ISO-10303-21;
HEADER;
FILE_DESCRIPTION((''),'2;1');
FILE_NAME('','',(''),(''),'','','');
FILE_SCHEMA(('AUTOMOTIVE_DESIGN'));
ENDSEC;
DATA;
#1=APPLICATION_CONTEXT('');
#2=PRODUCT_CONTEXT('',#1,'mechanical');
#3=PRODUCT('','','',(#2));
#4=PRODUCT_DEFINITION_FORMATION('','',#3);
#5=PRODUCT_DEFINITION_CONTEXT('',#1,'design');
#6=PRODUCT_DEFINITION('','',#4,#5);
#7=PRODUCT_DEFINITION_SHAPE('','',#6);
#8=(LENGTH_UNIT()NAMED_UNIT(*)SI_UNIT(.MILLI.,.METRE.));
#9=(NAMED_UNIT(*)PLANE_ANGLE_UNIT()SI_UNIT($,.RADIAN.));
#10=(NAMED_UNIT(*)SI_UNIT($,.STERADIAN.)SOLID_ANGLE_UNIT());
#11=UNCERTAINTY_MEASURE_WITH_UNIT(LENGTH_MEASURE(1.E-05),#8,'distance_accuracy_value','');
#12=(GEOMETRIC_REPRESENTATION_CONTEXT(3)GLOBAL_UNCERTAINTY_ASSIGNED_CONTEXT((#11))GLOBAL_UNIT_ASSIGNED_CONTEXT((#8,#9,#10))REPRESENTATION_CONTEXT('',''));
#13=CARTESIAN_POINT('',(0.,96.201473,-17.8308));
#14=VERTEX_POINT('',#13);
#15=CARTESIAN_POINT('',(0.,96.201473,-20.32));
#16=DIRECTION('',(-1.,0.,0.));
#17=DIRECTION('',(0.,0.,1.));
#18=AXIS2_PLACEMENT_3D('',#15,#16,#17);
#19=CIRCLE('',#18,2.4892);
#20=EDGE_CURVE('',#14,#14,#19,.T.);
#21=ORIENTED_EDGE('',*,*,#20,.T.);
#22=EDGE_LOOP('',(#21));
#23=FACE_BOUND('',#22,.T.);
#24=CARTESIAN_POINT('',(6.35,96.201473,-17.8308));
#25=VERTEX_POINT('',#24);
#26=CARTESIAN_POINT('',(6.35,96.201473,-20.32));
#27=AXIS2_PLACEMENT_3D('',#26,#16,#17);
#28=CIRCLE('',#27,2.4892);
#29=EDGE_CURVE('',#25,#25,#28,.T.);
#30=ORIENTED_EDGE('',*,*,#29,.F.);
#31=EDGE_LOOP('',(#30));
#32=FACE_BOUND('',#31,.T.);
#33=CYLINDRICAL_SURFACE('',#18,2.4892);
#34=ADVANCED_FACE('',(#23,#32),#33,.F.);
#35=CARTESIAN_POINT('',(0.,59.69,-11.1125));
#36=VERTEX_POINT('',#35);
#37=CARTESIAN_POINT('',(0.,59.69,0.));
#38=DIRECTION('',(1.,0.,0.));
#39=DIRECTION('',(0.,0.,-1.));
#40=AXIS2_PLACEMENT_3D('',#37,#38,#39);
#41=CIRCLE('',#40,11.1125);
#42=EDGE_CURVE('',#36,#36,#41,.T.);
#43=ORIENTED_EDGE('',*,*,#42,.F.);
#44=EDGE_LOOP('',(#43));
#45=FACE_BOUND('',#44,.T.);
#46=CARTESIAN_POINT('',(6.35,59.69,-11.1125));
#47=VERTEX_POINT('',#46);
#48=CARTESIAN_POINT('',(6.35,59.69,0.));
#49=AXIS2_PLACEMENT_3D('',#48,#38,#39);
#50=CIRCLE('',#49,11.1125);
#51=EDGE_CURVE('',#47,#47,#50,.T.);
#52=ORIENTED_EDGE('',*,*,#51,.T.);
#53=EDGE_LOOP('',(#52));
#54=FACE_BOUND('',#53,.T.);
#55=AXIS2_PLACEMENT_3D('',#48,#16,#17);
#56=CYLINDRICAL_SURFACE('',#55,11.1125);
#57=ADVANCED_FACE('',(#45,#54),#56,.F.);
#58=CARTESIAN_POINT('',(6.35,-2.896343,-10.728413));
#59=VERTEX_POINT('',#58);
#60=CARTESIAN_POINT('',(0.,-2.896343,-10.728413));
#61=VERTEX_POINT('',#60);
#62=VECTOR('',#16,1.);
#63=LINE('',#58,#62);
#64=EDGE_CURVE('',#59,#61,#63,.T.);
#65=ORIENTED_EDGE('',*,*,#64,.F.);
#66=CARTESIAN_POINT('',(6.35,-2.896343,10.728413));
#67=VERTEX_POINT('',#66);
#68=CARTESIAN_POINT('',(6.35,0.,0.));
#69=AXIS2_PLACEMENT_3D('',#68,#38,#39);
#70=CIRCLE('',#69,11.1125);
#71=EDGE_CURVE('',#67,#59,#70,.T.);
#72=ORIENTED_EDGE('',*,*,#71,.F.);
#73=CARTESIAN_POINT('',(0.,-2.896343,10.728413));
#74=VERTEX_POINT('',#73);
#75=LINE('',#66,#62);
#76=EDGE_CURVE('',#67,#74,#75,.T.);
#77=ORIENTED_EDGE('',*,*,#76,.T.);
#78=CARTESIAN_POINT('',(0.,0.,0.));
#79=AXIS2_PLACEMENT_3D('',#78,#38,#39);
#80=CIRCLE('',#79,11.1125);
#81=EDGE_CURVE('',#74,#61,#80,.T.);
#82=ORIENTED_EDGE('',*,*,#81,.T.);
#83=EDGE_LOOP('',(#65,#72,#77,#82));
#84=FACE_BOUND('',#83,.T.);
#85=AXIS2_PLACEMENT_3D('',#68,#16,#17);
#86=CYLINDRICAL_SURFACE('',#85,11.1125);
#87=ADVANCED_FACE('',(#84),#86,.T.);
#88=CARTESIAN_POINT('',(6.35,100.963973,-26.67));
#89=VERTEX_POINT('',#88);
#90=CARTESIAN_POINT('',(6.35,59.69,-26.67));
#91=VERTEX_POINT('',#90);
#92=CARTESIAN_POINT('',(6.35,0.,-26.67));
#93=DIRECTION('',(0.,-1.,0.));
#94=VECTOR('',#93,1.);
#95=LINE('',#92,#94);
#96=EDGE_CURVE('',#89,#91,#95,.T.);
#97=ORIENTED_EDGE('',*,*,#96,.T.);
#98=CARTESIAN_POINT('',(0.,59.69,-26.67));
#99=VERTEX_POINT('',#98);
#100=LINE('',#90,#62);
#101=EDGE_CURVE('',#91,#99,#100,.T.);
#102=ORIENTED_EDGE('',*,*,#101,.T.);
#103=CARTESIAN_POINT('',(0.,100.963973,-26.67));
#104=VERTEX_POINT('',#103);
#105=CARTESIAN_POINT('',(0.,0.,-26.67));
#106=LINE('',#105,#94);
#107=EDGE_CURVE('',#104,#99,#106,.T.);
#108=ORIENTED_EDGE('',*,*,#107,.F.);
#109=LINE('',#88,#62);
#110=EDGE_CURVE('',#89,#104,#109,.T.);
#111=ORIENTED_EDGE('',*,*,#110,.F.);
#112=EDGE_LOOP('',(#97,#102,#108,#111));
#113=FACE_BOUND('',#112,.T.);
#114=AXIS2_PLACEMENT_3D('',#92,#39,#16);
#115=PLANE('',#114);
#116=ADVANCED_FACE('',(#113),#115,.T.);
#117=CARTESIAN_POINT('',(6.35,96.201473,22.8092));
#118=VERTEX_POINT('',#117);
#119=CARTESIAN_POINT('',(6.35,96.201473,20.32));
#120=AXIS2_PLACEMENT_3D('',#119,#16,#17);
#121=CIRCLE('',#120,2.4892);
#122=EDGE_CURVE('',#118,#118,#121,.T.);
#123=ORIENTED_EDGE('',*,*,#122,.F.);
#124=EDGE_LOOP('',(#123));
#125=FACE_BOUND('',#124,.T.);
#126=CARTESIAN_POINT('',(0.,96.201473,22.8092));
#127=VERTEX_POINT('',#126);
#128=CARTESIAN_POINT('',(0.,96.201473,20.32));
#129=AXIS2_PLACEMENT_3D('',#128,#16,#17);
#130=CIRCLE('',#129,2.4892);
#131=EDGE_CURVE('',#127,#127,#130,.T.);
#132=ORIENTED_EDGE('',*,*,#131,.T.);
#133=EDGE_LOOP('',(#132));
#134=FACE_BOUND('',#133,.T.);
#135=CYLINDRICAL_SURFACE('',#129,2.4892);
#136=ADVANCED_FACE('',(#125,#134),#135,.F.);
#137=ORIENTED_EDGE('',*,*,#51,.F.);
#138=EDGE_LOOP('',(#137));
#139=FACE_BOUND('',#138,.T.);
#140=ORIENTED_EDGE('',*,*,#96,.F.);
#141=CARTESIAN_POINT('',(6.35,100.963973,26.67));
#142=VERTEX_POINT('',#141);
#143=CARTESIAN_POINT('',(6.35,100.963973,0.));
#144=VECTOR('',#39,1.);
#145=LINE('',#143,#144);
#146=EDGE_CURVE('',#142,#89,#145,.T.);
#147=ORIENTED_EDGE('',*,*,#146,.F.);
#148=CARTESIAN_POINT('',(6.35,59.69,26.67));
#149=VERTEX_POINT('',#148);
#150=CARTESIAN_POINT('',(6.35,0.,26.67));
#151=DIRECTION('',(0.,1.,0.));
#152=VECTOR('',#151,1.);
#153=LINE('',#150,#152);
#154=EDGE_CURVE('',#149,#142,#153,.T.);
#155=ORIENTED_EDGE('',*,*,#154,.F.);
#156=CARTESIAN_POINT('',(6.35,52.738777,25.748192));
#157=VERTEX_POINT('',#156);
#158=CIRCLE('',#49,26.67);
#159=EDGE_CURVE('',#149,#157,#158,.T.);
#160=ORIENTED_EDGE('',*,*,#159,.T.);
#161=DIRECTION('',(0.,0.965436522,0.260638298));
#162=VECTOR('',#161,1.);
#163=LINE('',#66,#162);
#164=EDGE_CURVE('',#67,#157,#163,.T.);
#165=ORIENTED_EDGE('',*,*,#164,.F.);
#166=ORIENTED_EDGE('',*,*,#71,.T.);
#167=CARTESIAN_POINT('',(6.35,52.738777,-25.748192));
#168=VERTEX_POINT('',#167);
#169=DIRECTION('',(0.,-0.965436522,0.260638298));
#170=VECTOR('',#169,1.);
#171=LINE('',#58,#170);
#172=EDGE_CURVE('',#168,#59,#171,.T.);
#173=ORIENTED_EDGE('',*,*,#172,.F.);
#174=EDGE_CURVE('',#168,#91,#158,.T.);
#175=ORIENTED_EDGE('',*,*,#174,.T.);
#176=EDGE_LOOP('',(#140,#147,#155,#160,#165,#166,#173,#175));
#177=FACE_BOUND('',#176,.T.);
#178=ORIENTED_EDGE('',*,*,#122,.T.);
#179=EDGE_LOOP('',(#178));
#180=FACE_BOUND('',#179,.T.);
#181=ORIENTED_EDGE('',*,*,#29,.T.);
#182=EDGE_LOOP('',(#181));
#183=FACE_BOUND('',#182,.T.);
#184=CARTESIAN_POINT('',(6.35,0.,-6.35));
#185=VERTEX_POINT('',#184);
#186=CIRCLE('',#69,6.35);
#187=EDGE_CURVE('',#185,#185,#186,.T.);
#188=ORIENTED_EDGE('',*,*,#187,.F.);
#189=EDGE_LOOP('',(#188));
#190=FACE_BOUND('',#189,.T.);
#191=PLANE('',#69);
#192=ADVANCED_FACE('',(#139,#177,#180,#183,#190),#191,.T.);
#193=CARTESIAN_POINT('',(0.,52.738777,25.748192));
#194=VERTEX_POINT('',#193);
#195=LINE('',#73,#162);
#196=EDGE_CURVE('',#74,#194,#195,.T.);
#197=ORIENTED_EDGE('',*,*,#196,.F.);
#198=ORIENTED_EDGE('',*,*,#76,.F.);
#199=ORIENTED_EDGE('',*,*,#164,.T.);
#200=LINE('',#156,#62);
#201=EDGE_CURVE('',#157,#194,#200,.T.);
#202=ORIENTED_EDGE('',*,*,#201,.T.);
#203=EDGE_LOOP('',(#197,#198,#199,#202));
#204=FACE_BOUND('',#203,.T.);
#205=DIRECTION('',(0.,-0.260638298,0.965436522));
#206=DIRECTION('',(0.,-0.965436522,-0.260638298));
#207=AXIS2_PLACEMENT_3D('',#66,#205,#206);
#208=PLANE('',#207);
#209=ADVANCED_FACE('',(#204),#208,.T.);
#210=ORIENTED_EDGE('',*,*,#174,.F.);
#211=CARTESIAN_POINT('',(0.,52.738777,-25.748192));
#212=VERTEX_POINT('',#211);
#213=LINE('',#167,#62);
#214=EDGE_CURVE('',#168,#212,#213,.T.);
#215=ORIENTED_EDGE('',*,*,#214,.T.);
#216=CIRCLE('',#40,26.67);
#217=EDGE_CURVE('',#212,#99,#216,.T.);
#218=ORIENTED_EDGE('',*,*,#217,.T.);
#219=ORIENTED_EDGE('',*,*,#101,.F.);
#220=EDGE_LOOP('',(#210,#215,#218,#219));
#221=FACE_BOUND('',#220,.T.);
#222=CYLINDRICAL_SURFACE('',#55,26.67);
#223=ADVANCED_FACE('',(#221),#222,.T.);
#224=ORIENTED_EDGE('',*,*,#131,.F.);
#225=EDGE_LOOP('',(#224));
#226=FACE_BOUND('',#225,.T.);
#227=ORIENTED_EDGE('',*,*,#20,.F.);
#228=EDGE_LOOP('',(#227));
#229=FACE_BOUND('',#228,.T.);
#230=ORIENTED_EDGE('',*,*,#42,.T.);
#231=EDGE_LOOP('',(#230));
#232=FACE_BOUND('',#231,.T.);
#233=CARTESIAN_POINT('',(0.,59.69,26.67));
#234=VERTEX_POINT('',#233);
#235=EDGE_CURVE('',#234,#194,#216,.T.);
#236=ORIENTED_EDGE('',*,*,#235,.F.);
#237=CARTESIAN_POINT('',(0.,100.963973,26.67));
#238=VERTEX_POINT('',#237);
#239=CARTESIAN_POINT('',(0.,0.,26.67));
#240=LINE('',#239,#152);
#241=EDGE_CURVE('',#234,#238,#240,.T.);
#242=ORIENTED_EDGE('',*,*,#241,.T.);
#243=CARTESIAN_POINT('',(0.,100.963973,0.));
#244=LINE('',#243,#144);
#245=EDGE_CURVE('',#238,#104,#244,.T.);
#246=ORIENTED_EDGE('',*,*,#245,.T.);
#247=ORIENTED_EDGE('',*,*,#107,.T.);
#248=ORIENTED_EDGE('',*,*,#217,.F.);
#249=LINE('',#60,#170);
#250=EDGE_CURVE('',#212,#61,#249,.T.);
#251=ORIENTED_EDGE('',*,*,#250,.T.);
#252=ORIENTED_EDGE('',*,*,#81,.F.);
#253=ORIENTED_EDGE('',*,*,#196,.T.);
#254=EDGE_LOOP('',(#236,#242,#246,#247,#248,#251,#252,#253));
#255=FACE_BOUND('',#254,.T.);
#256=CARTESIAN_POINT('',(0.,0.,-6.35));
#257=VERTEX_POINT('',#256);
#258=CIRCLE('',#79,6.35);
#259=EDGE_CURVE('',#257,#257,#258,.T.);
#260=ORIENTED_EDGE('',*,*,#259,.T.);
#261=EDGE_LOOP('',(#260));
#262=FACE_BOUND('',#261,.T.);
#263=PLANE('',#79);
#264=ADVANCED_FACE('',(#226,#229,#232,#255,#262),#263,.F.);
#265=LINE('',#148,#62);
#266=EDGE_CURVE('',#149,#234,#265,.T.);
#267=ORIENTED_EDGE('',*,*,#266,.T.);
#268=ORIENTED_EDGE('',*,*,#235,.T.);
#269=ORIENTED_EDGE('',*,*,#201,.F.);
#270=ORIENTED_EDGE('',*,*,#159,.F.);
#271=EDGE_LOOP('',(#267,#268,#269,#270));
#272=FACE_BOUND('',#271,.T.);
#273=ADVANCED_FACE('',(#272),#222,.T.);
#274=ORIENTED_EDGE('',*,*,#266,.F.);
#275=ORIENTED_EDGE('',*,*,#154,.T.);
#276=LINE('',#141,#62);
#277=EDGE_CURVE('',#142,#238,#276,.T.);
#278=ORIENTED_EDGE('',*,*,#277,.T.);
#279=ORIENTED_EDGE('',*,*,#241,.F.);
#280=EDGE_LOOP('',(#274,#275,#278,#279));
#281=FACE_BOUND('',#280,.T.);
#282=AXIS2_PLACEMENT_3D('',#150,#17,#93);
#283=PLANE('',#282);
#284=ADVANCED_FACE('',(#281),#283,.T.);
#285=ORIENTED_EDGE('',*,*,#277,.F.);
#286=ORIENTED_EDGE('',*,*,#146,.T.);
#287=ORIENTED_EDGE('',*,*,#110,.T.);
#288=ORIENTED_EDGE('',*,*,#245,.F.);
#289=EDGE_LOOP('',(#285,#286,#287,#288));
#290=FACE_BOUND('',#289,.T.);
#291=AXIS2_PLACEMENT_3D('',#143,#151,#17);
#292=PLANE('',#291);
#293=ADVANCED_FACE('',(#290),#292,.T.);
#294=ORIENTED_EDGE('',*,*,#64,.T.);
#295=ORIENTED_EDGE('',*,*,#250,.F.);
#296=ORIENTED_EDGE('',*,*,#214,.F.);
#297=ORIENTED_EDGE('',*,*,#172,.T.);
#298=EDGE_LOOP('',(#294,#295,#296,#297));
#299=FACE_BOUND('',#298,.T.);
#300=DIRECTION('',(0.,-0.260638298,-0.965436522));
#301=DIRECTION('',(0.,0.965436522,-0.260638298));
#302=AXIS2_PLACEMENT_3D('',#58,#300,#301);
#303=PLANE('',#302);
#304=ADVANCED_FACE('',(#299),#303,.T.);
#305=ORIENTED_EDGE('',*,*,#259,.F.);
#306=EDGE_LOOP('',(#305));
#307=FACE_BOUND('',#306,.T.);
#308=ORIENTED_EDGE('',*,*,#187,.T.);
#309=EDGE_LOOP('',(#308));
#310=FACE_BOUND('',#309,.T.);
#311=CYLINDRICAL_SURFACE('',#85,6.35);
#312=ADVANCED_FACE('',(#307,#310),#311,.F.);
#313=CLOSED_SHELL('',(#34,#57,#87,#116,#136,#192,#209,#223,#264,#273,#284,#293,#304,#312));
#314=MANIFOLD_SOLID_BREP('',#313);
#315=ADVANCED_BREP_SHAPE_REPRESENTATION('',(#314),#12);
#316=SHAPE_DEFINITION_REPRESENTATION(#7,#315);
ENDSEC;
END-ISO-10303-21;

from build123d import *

# Parameters (mm, degrees)
SKETCH1_R              = 6.35
SKETCH1_R_2            = 11.1125
BOSS_EXTRUDE1_DEPTH    = 6.35
F_10_CLEARANCE_HOLE1_D = 4.9784


with BuildPart() as part:
    # Sketch1 → Boss-Extrude1 (new body)
    with BuildSketch(Plane(origin=(0, 0, 0), x_dir=(0, 0, -1), z_dir=(1, 0, 0))):
        with BuildLine():
            Line((-25.748192037, 52.738776596), (-10.728413349, -2.896343085))
            ThreePointArc((-10.728413349, -2.896343085), (0, -11.1125), (10.728413349, -2.896343085))
            Line((10.728413349, -2.896343085), (25.748192037, 52.738776596))
            ThreePointArc((25.748192037, 52.738776596), (26.438543659, 56.183961041), (26.67, 59.69))
            Line((26.67, 59.69), (26.67, 100.96397257))
            Line((26.67, 100.96397257), (-26.67, 100.96397257))
            Line((-26.67, 100.96397257), (-26.67, 59.69))
            ThreePointArc((-26.67, 59.69), (-26.438543659, 56.183961041), (-25.748192037, 52.738776596))
        make_face()
        Circle(SKETCH1_R, mode=Mode.SUBTRACT)
        with Locations((0, 59.69)):
            Circle(SKETCH1_R_2, mode=Mode.SUBTRACT)
    extrude(amount=BOSS_EXTRUDE1_DEPTH)

    # #10 Clearance Hole1 (through all)
    with Locations(Plane.ZY):
        with Locations((20.32, 96.20147257), (-20.32, 96.20147257)):
            Hole(F_10_CLEARANCE_HOLE1_D / 2)


solid = part.part
